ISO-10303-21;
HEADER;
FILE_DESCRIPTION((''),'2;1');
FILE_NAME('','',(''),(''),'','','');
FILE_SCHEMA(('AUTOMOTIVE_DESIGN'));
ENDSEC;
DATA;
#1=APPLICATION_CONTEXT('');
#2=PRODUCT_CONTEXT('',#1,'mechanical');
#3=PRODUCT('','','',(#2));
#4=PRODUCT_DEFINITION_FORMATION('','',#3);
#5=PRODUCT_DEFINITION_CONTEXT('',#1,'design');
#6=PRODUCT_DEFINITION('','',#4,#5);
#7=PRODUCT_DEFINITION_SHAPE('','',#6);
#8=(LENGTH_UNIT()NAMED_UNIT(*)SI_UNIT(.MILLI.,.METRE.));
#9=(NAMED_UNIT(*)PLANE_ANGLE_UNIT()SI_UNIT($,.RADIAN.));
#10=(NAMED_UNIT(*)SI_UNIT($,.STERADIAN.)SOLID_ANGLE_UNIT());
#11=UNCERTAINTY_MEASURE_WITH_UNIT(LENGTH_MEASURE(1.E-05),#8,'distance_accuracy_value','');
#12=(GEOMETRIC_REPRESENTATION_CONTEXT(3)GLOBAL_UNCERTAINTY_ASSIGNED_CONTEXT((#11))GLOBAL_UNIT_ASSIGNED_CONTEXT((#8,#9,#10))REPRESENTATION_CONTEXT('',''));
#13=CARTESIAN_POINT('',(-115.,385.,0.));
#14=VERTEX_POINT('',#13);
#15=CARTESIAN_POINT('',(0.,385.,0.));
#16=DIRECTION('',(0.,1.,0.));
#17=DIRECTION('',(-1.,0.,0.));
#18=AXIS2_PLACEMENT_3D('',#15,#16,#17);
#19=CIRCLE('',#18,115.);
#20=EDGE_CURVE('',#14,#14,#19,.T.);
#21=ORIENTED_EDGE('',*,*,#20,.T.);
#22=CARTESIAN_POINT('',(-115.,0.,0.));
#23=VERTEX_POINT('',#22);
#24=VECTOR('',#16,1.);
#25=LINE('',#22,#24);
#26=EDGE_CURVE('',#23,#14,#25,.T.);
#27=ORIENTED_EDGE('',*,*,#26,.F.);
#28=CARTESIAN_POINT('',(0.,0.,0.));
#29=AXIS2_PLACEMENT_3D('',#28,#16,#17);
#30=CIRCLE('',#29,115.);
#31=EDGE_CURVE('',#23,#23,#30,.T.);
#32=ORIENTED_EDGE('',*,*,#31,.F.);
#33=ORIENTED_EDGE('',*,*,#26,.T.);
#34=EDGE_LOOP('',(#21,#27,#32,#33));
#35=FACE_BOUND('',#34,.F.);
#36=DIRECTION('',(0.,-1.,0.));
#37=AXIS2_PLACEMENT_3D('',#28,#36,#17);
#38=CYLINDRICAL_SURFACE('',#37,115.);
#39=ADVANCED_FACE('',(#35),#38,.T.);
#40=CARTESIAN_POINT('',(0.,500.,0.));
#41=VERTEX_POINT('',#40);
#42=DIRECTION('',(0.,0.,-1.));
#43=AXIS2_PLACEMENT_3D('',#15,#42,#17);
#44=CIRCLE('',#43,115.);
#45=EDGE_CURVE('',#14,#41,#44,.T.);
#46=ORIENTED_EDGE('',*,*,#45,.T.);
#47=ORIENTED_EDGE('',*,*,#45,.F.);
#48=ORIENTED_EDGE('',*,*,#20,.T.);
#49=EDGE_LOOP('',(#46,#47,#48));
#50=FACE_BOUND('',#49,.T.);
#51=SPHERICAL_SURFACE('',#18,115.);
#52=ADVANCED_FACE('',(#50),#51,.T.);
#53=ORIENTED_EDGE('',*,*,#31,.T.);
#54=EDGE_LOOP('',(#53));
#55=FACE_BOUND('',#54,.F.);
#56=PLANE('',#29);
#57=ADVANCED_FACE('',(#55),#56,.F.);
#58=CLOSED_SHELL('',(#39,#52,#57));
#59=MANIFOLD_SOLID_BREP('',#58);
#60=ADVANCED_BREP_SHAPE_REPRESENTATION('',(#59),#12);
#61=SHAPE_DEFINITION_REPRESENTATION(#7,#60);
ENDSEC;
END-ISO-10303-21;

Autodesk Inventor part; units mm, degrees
ref_plane "YZ Plane" through (0, 0, 0) normal (1, 0, 0) x (0, 1, 0)
ref_plane "XZ Plane" through (0, 0, 0) normal (0, 1, 0) x (-1, 0, 0)
ref_plane "XY Plane" through (0, 0, 0) normal (0, 0, 1) x (1, 0, 0)
sketch "Sketch1" plane through (0, 0, 0) normal (0, 1, 0) x (-1, 0, 0)
  circle A0 centre (0, 0) radius 115
  dimension "d0" = 230
extrude "Extrusion1" add sketch "Sketch1" along normal blind 500
fillet "Fillet1" radius 115 1 edges at (115, 500, 0)
properties part number "Propane Bottle"
